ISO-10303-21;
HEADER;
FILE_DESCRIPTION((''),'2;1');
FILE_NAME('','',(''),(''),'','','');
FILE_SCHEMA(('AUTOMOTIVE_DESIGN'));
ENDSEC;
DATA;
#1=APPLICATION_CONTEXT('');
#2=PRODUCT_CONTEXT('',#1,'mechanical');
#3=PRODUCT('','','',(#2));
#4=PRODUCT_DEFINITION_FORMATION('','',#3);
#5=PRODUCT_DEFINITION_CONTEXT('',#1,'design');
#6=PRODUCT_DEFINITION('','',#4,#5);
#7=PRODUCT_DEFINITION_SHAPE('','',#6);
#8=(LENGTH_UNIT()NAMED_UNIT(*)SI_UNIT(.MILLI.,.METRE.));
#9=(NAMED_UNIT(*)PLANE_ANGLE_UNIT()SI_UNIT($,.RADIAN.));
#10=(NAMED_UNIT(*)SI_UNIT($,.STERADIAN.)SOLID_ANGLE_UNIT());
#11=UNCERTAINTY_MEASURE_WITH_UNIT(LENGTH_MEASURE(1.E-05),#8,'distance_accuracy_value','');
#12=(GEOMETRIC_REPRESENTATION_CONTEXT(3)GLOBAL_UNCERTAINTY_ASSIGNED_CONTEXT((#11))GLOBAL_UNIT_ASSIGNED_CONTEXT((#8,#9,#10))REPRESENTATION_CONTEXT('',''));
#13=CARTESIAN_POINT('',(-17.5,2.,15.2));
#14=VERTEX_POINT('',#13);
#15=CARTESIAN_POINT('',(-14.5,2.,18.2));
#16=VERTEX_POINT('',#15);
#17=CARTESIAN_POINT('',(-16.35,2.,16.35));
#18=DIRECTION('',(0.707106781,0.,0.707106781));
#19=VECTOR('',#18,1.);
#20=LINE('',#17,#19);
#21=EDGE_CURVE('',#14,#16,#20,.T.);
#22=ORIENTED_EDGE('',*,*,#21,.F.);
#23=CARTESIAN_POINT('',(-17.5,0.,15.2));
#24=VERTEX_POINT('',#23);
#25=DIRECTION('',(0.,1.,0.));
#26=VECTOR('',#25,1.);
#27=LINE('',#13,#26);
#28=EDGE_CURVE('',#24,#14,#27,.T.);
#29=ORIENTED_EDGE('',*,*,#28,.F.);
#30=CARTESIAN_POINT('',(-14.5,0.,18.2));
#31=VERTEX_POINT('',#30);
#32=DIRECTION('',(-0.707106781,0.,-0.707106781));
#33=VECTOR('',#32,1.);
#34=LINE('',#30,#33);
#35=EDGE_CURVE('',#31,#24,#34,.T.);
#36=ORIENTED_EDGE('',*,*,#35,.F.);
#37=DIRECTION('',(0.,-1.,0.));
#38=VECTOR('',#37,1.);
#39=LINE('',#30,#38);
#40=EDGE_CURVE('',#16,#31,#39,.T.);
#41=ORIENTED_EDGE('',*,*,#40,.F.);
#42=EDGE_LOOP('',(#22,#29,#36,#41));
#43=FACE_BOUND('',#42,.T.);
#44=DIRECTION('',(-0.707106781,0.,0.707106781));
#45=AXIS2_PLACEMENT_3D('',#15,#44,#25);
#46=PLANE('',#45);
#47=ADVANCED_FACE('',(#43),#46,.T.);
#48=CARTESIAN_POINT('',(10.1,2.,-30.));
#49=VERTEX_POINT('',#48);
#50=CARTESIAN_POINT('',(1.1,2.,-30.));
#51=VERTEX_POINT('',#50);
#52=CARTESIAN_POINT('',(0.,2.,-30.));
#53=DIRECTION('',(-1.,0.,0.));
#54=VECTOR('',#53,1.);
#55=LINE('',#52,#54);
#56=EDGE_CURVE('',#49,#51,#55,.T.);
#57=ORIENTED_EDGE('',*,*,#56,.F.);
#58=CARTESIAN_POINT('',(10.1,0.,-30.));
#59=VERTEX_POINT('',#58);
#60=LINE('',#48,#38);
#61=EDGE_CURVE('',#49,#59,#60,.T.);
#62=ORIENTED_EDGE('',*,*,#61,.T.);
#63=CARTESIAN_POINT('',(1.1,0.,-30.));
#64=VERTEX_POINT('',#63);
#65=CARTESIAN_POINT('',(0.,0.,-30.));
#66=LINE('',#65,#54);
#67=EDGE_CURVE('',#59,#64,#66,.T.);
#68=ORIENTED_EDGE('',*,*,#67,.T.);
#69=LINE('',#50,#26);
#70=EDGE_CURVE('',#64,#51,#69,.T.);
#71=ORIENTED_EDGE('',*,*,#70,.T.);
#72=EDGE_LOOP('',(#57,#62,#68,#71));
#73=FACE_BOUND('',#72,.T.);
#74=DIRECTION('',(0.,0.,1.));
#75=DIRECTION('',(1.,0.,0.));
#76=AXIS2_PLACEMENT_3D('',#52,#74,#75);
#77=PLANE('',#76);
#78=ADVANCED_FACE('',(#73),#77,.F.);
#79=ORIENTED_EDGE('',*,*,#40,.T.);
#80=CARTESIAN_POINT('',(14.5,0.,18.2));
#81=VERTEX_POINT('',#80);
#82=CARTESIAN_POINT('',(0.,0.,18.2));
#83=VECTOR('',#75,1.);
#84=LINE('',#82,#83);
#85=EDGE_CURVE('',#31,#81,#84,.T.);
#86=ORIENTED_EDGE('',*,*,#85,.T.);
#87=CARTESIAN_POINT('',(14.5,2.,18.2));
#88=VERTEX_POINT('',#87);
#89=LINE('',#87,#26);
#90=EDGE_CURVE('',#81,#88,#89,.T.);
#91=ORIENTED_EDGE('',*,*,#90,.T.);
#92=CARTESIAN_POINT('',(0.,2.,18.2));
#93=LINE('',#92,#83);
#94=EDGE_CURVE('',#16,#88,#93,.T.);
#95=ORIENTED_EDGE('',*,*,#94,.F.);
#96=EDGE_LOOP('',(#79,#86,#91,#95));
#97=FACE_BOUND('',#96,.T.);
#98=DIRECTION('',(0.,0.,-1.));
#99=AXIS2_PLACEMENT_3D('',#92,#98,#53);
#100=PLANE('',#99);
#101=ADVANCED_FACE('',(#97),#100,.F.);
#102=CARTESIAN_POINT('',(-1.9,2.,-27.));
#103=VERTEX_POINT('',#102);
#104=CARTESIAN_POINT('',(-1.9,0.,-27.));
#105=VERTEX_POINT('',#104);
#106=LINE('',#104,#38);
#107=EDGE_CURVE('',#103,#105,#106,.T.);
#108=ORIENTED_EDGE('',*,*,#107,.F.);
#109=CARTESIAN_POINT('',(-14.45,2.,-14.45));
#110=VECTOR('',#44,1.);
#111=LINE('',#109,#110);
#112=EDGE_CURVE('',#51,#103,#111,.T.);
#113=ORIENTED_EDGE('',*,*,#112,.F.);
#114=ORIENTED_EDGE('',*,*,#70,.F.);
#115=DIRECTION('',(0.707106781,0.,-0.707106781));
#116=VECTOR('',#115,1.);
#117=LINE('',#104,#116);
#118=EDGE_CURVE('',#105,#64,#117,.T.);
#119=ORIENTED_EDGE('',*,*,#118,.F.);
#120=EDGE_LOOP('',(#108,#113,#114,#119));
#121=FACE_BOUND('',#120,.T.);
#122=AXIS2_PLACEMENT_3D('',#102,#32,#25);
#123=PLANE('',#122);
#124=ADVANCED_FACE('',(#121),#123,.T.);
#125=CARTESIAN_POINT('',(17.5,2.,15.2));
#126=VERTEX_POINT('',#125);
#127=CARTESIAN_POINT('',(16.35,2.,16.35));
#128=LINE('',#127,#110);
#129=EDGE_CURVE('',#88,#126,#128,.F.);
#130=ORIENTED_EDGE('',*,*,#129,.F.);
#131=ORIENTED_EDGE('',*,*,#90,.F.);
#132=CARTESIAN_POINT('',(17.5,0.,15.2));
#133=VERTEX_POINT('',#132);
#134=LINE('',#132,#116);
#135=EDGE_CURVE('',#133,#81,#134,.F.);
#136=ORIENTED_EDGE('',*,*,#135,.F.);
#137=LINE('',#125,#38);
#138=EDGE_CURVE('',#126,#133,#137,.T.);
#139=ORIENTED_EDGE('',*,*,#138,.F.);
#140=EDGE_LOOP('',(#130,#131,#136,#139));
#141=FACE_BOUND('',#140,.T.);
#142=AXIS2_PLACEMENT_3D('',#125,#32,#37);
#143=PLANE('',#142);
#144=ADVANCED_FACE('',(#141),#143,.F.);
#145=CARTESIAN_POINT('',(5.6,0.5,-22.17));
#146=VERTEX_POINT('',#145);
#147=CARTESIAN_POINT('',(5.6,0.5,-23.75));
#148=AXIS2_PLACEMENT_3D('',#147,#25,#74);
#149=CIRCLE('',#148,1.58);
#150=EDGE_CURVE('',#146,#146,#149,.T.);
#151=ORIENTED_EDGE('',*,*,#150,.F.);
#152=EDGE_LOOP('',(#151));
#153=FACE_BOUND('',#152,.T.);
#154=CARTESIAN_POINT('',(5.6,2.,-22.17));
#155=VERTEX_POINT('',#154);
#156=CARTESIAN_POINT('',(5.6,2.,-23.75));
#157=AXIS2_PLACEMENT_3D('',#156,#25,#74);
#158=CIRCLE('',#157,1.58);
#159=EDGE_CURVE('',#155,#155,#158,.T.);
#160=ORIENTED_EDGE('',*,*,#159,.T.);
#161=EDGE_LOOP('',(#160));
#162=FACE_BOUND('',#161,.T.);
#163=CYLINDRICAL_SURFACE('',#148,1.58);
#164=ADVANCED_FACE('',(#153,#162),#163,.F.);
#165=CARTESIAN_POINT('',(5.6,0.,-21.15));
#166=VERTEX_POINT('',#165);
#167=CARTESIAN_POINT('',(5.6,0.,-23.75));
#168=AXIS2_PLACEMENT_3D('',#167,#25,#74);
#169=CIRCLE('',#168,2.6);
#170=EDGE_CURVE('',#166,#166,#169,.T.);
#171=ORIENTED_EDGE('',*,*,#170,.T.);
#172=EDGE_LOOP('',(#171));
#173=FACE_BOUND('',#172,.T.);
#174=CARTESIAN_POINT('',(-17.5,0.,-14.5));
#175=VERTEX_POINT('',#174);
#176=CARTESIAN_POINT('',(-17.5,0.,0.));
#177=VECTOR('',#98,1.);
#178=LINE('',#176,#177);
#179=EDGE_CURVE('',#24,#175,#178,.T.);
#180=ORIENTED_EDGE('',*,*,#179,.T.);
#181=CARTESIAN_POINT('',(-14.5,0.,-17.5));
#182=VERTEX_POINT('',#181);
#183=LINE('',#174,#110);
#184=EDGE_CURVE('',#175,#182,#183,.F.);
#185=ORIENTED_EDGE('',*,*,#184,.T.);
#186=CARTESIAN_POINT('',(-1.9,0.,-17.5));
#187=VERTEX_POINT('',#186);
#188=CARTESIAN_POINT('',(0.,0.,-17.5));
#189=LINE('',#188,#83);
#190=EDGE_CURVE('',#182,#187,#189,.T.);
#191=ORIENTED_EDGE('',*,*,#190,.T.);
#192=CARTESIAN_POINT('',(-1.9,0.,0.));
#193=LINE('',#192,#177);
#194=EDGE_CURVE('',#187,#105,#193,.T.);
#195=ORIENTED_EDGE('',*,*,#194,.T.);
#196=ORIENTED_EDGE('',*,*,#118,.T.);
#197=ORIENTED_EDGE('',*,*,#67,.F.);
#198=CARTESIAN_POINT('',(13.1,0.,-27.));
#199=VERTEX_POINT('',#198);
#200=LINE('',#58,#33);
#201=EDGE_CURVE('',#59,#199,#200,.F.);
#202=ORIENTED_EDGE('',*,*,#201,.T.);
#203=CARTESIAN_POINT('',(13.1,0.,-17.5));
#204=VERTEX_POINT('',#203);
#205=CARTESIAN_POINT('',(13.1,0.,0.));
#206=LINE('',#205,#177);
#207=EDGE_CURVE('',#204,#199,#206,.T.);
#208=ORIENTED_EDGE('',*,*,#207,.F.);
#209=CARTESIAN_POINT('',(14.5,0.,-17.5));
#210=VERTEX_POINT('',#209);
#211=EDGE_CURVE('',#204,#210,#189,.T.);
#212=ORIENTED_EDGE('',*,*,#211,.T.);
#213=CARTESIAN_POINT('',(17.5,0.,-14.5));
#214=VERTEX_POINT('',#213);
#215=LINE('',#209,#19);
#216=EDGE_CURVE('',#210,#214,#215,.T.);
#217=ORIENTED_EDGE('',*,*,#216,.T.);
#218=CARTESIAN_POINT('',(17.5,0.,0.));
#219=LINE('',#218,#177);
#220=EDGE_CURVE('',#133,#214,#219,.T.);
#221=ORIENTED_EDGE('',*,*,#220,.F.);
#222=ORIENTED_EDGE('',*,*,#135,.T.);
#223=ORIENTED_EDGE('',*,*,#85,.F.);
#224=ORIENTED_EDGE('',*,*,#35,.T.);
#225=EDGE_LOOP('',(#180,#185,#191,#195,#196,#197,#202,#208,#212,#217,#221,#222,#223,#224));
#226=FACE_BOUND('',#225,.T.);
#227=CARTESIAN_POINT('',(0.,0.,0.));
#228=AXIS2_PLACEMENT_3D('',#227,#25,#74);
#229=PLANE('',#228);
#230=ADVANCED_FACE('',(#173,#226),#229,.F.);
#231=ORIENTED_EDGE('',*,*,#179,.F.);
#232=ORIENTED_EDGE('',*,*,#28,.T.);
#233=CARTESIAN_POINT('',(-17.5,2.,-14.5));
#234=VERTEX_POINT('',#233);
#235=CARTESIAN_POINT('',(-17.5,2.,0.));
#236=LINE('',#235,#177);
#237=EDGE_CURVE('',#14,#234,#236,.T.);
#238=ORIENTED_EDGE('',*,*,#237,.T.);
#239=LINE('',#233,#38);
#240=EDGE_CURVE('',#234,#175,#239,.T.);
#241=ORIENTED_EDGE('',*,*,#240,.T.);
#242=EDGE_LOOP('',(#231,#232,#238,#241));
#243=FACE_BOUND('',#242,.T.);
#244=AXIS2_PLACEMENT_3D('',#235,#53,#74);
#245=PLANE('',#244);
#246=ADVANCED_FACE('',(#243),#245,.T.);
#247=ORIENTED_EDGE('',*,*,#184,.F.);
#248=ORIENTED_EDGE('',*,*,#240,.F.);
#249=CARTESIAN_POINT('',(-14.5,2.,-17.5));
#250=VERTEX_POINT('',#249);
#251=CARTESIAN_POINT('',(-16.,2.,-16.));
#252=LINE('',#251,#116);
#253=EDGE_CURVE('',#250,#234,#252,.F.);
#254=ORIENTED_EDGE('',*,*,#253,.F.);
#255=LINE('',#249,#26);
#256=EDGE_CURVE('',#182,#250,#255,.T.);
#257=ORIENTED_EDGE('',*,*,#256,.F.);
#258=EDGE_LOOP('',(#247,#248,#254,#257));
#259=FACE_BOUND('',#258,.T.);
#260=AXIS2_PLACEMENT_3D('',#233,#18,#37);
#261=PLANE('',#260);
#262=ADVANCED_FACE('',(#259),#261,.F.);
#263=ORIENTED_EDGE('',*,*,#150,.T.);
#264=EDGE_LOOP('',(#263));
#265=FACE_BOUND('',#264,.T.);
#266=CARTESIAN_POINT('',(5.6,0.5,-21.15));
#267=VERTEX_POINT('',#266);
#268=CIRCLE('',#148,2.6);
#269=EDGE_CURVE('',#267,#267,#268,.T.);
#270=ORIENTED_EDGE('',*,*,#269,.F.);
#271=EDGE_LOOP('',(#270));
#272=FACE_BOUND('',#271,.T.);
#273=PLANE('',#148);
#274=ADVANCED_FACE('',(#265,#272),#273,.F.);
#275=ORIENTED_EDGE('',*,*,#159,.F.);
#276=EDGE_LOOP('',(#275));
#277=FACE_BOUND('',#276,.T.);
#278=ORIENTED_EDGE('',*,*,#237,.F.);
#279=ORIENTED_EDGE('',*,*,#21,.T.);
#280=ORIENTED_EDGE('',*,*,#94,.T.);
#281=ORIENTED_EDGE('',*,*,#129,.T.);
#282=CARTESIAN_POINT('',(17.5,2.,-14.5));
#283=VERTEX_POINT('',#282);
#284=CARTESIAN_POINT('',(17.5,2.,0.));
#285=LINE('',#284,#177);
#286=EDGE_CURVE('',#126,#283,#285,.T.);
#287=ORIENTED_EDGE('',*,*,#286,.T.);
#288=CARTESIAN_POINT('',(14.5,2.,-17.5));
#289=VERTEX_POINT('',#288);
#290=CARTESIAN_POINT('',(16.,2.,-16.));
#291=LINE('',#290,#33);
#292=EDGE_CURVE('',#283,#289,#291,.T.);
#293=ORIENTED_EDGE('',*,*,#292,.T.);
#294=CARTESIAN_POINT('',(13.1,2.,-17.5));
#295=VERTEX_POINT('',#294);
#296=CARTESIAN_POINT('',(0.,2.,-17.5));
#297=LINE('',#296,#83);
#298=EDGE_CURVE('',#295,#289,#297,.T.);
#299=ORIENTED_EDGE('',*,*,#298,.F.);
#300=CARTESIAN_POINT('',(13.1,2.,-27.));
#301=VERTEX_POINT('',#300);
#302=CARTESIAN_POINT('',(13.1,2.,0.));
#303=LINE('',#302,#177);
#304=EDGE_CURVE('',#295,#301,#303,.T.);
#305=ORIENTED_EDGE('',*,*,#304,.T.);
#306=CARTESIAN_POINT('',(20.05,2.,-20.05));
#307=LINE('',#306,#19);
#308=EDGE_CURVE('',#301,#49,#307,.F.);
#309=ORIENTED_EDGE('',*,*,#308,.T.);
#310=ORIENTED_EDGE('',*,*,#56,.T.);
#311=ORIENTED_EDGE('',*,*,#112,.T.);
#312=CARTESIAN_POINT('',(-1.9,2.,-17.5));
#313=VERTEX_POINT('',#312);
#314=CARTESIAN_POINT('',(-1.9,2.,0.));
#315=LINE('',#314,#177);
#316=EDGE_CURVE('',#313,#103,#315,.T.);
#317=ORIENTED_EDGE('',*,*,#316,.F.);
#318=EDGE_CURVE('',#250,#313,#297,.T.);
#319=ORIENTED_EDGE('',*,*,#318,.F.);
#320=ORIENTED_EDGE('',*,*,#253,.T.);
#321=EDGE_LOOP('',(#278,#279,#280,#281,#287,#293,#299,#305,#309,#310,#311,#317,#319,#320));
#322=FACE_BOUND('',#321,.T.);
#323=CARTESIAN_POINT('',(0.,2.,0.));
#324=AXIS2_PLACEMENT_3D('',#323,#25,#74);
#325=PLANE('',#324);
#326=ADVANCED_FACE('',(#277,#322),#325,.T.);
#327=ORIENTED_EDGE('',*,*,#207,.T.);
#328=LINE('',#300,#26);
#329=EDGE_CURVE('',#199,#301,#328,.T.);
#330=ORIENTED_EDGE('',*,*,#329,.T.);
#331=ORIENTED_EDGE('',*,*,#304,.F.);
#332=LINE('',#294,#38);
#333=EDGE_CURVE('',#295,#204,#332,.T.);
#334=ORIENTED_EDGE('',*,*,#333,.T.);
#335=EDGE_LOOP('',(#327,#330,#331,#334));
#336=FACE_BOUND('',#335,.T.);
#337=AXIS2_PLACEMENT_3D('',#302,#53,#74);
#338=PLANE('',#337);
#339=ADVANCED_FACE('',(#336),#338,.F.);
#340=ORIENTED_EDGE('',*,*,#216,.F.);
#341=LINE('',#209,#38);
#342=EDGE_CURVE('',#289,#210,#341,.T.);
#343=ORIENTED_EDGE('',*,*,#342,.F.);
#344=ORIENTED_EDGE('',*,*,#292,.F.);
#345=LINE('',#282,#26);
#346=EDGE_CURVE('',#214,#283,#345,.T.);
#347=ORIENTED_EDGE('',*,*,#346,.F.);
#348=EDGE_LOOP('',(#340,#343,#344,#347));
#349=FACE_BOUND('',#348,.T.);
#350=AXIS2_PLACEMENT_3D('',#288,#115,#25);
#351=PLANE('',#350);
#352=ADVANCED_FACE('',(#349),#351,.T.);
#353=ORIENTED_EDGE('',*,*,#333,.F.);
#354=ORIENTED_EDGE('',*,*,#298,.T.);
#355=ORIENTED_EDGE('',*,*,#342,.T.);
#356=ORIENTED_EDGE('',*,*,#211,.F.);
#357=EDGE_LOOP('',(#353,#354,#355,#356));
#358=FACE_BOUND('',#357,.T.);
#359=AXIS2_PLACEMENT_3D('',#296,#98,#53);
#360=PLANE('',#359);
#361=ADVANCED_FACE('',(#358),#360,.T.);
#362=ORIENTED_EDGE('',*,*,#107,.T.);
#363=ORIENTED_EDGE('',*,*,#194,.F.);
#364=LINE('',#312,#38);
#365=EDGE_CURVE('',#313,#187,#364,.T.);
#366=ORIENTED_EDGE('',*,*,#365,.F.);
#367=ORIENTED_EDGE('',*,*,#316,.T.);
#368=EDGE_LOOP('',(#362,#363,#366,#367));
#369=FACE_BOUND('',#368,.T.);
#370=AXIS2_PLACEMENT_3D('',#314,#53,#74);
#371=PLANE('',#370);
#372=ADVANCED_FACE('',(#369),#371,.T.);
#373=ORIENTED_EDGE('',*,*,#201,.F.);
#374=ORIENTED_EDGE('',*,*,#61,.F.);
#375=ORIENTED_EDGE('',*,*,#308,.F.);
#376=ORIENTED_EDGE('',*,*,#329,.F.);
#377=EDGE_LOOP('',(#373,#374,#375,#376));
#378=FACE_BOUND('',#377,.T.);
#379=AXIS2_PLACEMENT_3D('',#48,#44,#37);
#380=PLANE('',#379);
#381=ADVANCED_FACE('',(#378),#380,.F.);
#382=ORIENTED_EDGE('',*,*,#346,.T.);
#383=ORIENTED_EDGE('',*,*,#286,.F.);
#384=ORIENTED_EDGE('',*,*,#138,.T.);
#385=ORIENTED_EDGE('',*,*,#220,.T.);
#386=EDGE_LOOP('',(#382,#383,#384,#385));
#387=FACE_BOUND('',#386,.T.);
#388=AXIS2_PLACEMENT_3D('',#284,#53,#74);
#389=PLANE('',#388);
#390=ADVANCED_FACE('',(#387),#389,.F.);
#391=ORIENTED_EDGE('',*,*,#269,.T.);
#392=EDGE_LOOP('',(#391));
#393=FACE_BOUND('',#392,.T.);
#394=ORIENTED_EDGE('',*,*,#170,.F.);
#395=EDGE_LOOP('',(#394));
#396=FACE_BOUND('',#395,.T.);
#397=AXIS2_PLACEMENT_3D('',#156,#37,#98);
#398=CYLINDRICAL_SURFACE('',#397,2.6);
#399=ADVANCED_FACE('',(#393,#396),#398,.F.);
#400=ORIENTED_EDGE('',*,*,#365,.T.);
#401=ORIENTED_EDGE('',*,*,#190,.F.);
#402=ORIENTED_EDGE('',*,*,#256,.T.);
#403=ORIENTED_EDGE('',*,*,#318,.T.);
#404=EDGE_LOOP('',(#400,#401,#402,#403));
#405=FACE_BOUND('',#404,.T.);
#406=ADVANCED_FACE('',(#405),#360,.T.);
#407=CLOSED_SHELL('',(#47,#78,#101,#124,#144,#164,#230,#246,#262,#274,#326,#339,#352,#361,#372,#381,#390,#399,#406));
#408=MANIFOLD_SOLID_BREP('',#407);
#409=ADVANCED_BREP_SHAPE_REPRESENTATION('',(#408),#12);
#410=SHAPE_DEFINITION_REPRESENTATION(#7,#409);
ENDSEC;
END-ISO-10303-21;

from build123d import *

# Parameters (mm, degrees)
SKETCH1_W           = 35
SKETCH1_H           = 0.7
SKETCH1_H_2         = 35
BOSS_EXTRUDE1_DEPTH = 2
CHAMFER1_SIZE       = 3
SKETCH4_R           = 2.6
SKETCH4_R_2         = 1.58
BOSS_EXTRUDE2_DEPTH = 1.5


with BuildPart() as part:
    # Sketch1 → Boss-Extrude1 (new body)
    with BuildSketch(Plane(origin=(0, 0, 0), x_dir=(1, 0, 0), z_dir=(0, 1, 0))):
        with BuildLine():
            Line((7.5, 17.5), (13.1, 17.5))
            Line((13.1, 17.5), (13.1, 30))
            Line((13.1, 30), (7.5, 30))
            Line((7.5, 30), (7.5, 25.524823935))
            ThreePointArc((7.5, 25.524823935), (8.018677324, 24.703939201), (8.2, 23.75))
            ThreePointArc((8.2, 23.75), (8.018677324, 22.796060799), (7.5, 21.975176065))
            Line((7.5, 21.975176065), (7.5, 17.5))
        make_face()
        with BuildLine():
            Line((-1.9, 30), (-1.9, 17.5))
            Line((-1.9, 17.5), (7.5, 17.5))
            Line((7.5, 17.5), (7.5, 21.975176065))
            ThreePointArc((7.5, 21.975176065), (3, 23.75), (7.5, 25.524823935))
            Line((7.5, 25.524823935), (7.5, 30))
            Line((7.5, 30), (-1.9, 30))
        make_face()
        with Locations((0, -17.85)):
            Rectangle(SKETCH1_W, SKETCH1_H)
        Rectangle(SKETCH1_W, SKETCH1_H_2)
    extrude(amount=BOSS_EXTRUDE1_DEPTH)

    # Chamfer1
    chamfer1_edges = [part.edges().sort_by_distance(p)[0] for p in [
        (-1.9, 1, -30),
        (13.1, 1, -30),
        (17.5, 1, -17.5),
        (17.5, 1, 18.2),
        (-17.5, 1, 18.2),
        (-17.5, 1, -17.5),
    ]]
    chamfer(chamfer1_edges, length=CHAMFER1_SIZE)

    # Sketch4 → Boss-Extrude2 (add)
    with BuildSketch(Plane(origin=(0, 2, 0), x_dir=(1, 0, 0), z_dir=(0, 1, 0))):
        with Locations((5.6, 23.75)):
            Circle(SKETCH4_R)
        with Locations((5.6, 23.75)):
            Circle(SKETCH4_R_2, mode=Mode.SUBTRACT)
    extrude(amount=-BOSS_EXTRUDE2_DEPTH)


solid = part.part
